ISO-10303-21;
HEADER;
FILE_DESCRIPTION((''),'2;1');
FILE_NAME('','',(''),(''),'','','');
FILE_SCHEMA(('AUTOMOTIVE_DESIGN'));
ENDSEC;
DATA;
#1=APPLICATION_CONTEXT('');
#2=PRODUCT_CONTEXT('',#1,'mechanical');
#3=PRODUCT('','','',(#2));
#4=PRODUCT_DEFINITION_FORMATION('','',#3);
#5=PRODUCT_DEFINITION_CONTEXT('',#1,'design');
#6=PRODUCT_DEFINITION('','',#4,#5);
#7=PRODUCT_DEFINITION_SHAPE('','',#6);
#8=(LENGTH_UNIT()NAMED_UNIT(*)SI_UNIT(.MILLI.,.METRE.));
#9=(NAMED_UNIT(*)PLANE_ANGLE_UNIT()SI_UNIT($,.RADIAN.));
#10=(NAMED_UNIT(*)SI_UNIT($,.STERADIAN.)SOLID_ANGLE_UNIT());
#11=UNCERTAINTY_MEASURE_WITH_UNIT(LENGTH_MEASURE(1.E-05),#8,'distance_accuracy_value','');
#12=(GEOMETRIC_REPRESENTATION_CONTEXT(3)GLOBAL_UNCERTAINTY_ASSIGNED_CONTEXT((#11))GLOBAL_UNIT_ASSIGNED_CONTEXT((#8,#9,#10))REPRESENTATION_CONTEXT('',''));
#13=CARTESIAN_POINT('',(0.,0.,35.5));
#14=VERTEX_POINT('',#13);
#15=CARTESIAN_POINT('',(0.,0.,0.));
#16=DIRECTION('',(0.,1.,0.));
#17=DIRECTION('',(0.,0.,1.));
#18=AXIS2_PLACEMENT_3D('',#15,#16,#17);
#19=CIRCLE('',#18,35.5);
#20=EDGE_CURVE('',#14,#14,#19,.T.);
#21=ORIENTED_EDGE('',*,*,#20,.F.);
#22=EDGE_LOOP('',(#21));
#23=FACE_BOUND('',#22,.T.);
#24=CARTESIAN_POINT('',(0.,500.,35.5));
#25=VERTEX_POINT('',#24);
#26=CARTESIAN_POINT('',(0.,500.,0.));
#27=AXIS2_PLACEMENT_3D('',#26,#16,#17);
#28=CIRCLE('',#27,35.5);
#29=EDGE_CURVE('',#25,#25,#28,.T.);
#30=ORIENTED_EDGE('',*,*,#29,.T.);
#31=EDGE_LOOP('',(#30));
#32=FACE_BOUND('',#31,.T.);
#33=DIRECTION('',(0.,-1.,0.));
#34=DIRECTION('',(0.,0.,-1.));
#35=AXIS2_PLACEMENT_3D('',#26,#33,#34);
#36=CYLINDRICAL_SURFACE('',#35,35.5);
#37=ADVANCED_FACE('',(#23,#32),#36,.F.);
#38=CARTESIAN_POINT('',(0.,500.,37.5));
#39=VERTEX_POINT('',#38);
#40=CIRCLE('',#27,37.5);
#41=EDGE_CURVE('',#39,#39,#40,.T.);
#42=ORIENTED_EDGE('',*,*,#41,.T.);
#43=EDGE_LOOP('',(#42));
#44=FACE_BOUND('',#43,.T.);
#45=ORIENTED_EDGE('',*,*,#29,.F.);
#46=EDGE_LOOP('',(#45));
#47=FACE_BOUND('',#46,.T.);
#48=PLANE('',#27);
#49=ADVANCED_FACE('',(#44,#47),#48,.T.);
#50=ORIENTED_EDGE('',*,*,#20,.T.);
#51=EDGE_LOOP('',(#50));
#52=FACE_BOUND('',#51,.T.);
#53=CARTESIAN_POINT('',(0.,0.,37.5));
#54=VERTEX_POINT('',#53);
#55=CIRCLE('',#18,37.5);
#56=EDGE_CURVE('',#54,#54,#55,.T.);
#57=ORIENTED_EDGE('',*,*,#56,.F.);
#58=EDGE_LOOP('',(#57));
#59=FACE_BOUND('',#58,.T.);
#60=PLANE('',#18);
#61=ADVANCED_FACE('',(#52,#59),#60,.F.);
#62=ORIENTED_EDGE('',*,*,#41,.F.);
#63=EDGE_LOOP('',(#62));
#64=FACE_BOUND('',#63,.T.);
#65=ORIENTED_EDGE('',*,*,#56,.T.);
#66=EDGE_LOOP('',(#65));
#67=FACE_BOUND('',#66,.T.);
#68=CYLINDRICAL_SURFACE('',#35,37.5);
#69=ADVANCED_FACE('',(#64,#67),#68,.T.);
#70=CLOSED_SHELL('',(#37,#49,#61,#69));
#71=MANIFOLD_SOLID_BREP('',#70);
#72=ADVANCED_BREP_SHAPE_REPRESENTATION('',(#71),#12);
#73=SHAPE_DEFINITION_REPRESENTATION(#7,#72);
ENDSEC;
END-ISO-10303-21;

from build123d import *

# Parameters (mm, degrees)
SKETCH1_R           = 37.5
SKETCH1_R_2         = 35.5
BOSS_EXTRUDE1_DEPTH = 500


with BuildPart() as part:
    # Sketch1 → Boss-Extrude1 (new body)
    with BuildSketch(Plane(origin=(0, 0, 0), x_dir=(1, 0, 0), z_dir=(0, 1, 0))):
        Circle(SKETCH1_R)
        Circle(SKETCH1_R_2, mode=Mode.SUBTRACT)
    extrude(amount=BOSS_EXTRUDE1_DEPTH)


solid = part.part
